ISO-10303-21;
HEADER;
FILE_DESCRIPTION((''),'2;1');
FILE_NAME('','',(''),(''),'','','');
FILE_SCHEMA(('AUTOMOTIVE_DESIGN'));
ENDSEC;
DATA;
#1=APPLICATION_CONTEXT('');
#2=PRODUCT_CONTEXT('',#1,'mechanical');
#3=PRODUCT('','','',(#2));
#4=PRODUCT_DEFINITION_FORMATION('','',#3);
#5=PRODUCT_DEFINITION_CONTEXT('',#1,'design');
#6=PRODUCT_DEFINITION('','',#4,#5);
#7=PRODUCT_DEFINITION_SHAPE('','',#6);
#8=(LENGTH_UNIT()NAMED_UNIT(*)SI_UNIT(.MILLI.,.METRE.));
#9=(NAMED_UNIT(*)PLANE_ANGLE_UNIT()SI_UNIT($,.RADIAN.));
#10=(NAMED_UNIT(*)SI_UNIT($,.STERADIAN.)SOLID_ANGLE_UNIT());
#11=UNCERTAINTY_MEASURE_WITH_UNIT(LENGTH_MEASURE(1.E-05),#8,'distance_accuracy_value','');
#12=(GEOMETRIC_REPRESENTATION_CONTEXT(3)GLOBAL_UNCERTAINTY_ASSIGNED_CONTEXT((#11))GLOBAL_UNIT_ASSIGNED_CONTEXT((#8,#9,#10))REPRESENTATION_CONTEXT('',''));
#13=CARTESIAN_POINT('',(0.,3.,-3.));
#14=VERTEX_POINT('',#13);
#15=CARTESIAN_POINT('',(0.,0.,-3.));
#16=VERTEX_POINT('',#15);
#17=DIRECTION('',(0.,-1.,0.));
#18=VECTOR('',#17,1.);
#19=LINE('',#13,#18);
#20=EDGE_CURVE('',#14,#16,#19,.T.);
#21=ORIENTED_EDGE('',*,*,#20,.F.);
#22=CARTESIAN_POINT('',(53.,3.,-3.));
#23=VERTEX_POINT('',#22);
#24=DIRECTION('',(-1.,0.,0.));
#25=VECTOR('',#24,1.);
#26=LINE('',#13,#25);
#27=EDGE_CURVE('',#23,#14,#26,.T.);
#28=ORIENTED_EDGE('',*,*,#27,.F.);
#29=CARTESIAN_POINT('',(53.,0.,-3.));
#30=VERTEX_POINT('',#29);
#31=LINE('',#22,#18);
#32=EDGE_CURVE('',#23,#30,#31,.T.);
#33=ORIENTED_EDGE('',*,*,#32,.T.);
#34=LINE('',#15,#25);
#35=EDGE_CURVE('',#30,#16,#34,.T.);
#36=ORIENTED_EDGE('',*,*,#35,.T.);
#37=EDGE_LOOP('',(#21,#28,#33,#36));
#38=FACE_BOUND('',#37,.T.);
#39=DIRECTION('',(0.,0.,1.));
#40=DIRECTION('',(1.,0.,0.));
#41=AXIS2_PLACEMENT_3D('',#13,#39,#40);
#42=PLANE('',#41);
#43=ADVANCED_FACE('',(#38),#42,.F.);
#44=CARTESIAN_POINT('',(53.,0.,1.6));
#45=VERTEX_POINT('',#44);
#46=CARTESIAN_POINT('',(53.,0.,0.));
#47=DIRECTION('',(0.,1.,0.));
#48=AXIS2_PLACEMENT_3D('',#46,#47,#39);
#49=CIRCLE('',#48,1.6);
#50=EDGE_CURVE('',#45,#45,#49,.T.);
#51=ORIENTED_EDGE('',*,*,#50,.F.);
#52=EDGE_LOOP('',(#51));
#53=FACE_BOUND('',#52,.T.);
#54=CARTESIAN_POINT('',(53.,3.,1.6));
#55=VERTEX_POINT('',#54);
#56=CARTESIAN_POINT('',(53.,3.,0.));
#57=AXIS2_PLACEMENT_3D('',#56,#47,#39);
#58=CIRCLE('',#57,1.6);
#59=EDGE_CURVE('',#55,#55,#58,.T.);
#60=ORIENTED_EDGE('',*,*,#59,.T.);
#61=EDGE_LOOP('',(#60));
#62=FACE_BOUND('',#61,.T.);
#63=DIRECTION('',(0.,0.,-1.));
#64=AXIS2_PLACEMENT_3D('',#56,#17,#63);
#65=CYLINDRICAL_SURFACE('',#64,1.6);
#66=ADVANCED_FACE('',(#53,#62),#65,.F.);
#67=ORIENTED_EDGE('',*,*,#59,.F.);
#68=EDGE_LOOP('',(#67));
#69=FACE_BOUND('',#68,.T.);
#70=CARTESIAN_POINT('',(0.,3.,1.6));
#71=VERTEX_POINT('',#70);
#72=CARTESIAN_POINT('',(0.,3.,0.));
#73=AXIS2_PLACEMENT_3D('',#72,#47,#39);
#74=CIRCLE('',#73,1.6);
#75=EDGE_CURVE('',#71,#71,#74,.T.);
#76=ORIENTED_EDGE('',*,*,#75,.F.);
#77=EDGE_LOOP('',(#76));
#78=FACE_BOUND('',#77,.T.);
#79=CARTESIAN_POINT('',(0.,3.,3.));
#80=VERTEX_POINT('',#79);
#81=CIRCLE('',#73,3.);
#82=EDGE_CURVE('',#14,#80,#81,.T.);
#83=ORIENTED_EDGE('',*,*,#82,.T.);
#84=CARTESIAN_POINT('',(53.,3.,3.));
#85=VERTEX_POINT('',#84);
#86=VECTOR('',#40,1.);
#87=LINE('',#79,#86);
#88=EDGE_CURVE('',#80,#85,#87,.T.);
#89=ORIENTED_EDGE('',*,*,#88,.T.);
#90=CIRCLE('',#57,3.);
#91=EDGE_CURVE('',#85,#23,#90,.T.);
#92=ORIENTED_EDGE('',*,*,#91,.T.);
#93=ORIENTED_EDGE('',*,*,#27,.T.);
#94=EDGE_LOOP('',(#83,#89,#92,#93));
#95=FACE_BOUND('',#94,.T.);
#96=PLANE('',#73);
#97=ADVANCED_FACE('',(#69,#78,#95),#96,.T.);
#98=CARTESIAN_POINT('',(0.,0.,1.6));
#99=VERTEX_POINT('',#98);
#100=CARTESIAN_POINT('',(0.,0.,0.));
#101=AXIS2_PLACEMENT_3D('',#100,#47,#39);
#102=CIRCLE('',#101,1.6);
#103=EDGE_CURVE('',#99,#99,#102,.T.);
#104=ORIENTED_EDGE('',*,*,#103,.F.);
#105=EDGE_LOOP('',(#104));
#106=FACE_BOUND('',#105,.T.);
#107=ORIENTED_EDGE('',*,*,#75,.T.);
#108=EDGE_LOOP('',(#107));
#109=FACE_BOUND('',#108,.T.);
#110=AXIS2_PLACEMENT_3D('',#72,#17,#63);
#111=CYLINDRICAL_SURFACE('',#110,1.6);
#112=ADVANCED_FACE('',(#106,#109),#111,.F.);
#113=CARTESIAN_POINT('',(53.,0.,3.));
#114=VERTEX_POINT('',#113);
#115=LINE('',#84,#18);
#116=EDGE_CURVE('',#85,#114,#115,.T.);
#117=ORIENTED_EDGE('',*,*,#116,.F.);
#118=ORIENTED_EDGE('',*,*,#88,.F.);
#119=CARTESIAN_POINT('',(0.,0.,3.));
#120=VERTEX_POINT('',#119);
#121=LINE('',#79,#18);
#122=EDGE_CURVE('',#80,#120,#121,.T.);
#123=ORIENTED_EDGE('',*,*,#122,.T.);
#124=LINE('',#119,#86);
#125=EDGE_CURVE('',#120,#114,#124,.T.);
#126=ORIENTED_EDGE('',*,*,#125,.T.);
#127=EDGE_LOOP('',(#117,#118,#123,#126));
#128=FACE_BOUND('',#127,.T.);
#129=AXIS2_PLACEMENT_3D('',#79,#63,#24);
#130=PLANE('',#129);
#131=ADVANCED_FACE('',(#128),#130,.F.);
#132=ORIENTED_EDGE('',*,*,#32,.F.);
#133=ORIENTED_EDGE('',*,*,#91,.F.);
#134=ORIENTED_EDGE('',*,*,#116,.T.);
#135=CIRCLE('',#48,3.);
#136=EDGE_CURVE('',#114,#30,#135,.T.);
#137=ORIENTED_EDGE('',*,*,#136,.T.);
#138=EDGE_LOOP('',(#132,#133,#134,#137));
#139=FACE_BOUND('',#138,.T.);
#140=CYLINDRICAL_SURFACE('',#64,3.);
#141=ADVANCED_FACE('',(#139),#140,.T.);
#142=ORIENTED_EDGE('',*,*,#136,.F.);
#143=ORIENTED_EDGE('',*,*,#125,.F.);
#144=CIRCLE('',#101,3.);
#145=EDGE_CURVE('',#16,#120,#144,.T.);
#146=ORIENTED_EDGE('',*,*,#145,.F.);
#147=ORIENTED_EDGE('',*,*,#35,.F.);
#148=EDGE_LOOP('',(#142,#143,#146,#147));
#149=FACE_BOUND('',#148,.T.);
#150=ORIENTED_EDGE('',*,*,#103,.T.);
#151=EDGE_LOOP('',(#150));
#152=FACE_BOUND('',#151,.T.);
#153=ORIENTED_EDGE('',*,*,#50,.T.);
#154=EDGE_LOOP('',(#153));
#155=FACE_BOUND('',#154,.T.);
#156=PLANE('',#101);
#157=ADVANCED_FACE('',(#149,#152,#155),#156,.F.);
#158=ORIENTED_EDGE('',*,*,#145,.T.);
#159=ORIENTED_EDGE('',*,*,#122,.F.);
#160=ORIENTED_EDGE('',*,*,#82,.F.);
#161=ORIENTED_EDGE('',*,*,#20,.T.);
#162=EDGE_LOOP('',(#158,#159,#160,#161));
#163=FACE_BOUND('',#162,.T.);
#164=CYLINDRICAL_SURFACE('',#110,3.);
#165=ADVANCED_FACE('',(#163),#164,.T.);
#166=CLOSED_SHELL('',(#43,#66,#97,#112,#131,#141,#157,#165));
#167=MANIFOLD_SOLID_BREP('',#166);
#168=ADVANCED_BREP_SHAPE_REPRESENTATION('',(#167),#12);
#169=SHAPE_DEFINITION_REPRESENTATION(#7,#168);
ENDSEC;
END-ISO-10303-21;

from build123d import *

# Parameters (mm, degrees)
SKETCH1_R           = 1.6
BOSS_EXTRUDE1_DEPTH = 3


with BuildPart() as part:
    # Sketch1 → Boss-Extrude1 (new body)
    with BuildSketch(Plane(origin=(0, 0, 0), x_dir=(1, 0, 0), z_dir=(0, 1, 0))):
        with BuildLine():
            Line((0, 3), (53, 3))
            ThreePointArc((53, 3), (56, 0), (53, -3))
            Line((53, -3), (0, -3))
            ThreePointArc((0, -3), (-3, 0), (0, 3))
        make_face()
        with Locations(Location((0, 0, 0), (0, 0, 270))):
            Circle(SKETCH1_R, mode=Mode.SUBTRACT)
        with Locations(Location((53, 0, 0), (0, 0, 270))):
            Circle(SKETCH1_R, mode=Mode.SUBTRACT)
    extrude(amount=BOSS_EXTRUDE1_DEPTH)


solid = part.part
